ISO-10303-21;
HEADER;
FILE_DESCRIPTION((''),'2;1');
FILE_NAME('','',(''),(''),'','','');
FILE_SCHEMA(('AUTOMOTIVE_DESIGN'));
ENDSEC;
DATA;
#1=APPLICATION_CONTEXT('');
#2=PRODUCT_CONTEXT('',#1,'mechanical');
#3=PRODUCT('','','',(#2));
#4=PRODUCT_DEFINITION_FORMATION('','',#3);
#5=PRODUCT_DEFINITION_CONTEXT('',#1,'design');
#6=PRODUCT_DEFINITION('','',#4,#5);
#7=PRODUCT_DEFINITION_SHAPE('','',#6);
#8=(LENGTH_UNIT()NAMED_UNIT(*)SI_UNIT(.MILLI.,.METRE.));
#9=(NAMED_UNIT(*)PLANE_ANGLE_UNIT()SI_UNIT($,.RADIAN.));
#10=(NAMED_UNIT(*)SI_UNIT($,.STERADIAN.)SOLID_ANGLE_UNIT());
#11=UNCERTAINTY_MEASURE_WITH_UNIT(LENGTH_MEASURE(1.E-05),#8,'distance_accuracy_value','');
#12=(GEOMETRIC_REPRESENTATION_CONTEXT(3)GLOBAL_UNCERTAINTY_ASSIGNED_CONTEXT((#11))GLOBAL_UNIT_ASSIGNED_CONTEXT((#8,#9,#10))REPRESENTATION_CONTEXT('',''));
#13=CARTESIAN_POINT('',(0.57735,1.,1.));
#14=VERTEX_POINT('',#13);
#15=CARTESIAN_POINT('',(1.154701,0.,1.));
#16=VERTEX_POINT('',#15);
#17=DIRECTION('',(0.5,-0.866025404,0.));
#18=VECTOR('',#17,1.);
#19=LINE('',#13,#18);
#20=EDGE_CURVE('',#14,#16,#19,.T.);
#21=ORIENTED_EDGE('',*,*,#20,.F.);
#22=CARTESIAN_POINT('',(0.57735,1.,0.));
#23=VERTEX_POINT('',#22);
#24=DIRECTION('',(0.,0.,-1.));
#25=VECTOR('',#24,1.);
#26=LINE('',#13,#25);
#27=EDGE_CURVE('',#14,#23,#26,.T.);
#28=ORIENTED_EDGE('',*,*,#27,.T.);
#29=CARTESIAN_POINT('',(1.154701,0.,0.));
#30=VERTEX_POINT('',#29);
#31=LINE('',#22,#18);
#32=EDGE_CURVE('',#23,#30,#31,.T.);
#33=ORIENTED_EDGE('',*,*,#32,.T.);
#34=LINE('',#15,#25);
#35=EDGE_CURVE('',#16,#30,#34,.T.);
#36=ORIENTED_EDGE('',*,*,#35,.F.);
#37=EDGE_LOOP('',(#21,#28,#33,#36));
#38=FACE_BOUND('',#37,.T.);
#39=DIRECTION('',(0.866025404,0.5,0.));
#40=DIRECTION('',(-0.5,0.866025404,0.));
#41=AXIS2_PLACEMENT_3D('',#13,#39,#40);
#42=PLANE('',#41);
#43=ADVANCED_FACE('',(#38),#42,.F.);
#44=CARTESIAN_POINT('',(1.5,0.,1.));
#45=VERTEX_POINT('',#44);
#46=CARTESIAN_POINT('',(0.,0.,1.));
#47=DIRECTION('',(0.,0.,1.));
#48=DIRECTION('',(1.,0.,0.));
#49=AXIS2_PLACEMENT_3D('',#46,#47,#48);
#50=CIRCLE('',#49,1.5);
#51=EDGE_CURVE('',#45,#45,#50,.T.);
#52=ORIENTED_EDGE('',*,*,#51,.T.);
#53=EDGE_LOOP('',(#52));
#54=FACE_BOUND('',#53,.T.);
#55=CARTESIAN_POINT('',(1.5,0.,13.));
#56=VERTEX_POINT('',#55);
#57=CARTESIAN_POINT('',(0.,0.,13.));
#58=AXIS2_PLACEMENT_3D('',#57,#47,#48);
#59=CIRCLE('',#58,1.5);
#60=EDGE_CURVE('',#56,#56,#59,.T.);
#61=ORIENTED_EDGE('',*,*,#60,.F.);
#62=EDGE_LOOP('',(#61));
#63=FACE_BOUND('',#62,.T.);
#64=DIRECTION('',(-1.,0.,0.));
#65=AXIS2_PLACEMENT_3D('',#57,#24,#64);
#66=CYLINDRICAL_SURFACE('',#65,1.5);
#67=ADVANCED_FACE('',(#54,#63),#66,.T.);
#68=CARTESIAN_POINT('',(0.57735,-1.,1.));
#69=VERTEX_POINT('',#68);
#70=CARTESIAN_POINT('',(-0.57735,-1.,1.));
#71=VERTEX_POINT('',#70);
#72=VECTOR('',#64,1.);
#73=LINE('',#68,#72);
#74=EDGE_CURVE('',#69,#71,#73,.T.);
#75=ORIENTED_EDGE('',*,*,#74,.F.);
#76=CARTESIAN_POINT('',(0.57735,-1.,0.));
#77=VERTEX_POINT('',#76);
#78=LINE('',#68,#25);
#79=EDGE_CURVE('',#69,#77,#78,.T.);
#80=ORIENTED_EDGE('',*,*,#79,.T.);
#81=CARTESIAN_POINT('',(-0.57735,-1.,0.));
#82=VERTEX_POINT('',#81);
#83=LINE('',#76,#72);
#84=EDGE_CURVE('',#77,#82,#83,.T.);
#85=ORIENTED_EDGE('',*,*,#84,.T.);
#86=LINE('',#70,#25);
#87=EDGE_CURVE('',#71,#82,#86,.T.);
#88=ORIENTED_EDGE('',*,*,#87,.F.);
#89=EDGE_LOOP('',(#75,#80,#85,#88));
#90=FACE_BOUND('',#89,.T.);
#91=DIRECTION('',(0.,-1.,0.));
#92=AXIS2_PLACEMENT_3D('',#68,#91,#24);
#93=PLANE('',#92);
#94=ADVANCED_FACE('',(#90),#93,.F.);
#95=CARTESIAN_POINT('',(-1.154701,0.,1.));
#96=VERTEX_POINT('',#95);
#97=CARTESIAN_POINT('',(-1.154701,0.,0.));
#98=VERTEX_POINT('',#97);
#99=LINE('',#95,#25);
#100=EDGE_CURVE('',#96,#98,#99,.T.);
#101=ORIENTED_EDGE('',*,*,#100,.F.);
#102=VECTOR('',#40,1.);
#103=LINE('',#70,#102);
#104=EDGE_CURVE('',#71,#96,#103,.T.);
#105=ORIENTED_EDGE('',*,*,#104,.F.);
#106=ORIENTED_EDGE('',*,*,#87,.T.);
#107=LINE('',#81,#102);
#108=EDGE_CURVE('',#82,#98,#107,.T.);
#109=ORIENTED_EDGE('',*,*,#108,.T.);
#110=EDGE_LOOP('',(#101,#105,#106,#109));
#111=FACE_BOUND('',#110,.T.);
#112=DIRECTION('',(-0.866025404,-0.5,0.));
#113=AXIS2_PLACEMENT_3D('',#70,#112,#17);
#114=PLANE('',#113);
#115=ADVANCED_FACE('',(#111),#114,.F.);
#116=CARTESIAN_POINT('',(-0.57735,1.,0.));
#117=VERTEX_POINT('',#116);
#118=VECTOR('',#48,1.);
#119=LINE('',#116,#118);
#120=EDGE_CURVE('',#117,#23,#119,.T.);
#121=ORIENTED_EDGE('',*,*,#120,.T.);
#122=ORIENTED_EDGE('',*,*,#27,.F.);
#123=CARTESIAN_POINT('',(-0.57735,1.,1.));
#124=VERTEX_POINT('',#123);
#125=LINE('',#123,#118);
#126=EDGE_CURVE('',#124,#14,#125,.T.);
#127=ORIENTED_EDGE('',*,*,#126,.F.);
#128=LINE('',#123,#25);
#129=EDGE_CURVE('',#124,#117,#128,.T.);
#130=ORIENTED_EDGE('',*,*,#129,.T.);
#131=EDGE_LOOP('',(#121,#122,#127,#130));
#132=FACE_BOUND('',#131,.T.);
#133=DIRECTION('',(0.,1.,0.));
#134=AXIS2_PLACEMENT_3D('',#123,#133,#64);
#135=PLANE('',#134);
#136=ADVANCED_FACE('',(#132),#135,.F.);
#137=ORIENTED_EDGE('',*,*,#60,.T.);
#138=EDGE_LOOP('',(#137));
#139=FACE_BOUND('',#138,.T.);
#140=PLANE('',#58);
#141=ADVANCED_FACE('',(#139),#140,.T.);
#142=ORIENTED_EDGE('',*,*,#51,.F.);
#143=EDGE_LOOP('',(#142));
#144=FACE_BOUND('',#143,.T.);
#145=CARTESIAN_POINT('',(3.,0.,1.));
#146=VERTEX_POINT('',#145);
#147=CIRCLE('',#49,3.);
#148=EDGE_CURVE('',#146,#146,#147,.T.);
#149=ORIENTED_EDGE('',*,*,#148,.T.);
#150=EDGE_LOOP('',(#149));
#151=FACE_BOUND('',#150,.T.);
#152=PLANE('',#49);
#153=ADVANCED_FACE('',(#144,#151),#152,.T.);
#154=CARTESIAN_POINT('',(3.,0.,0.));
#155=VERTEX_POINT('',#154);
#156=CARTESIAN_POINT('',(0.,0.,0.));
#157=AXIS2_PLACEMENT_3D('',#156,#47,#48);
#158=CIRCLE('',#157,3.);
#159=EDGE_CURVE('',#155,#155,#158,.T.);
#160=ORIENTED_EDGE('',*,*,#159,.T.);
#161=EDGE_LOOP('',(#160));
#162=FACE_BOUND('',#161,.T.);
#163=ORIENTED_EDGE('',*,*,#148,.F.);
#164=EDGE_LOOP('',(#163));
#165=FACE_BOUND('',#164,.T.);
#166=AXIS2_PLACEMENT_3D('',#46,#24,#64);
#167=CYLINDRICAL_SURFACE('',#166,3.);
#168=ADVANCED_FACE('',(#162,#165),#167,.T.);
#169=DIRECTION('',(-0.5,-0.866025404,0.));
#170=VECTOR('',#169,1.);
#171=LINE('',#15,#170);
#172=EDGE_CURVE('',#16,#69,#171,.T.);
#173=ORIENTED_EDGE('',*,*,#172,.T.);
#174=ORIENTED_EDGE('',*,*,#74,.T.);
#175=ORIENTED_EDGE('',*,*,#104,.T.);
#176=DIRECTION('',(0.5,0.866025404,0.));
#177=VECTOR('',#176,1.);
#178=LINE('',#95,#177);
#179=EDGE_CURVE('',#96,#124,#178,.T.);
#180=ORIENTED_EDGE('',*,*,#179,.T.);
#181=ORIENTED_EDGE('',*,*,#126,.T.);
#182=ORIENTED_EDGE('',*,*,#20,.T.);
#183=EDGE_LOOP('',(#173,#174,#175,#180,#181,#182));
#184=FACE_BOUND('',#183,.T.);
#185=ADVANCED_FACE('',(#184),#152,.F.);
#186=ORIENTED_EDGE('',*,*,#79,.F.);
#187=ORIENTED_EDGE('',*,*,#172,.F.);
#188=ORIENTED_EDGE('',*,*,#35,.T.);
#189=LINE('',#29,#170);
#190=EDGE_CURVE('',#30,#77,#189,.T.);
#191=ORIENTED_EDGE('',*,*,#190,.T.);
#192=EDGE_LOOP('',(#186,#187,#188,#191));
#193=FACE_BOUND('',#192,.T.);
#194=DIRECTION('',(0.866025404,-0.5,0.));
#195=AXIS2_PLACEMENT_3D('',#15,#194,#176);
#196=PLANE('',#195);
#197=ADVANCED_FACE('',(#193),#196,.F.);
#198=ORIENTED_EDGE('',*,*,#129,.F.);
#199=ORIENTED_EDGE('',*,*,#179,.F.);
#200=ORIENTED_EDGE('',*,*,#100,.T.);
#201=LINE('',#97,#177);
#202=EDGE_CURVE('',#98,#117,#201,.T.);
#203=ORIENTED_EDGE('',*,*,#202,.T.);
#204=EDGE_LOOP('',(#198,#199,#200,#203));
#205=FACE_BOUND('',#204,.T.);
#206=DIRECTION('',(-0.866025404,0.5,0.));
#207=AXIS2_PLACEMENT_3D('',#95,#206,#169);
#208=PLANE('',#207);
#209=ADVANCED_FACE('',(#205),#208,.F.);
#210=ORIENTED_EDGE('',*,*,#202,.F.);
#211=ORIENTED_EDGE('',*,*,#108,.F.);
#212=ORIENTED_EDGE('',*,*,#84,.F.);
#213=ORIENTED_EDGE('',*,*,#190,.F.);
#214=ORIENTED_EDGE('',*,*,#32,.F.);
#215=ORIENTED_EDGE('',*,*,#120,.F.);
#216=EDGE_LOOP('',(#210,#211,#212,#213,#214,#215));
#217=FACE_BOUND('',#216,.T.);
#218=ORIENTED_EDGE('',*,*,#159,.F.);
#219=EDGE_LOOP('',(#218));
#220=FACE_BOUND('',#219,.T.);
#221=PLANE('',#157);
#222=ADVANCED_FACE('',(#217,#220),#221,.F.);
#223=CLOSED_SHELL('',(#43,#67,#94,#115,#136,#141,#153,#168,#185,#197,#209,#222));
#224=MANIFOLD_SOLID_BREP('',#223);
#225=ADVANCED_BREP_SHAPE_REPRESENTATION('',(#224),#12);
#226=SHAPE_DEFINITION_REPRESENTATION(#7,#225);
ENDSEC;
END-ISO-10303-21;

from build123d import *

# Parameters (mm, degrees)
SKETCH_1_R          = 3
EXTRUDE_1_DEPTH     = 1
CUT_EXTRUDE_1_DEPTH = 1
SKETCH_3_R          = 1.5
EXTRUDE_2_DEPTH     = 12


with BuildPart() as part:
    # 草图1 → 凸台-拉伸1 (new body)
    with BuildSketch(Plane.XY):
        Circle(SKETCH_1_R)
    extrude(amount=EXTRUDE_1_DEPTH)

    # 草图2 → 切除-拉伸1 (cut)
    with BuildSketch(Plane(origin=(0, 0, 0), x_dir=(-1, 0, 0), z_dir=(0, 0, -1))):
        Polygon((1.154700538, 0), (0.577350269, 1), (-0.577350269, 1), (-1.154700538, 0), (-0.577350269, -1), (0.577350269, -1), align=None)
    extrude(amount=-CUT_EXTRUDE_1_DEPTH, mode=Mode.SUBTRACT)

    # 草图3 → 凸台-拉伸2 (add)
    with BuildSketch(Plane.XY.offset(1)):
        Circle(SKETCH_3_R)
    extrude(amount=EXTRUDE_2_DEPTH)


solid = part.part
